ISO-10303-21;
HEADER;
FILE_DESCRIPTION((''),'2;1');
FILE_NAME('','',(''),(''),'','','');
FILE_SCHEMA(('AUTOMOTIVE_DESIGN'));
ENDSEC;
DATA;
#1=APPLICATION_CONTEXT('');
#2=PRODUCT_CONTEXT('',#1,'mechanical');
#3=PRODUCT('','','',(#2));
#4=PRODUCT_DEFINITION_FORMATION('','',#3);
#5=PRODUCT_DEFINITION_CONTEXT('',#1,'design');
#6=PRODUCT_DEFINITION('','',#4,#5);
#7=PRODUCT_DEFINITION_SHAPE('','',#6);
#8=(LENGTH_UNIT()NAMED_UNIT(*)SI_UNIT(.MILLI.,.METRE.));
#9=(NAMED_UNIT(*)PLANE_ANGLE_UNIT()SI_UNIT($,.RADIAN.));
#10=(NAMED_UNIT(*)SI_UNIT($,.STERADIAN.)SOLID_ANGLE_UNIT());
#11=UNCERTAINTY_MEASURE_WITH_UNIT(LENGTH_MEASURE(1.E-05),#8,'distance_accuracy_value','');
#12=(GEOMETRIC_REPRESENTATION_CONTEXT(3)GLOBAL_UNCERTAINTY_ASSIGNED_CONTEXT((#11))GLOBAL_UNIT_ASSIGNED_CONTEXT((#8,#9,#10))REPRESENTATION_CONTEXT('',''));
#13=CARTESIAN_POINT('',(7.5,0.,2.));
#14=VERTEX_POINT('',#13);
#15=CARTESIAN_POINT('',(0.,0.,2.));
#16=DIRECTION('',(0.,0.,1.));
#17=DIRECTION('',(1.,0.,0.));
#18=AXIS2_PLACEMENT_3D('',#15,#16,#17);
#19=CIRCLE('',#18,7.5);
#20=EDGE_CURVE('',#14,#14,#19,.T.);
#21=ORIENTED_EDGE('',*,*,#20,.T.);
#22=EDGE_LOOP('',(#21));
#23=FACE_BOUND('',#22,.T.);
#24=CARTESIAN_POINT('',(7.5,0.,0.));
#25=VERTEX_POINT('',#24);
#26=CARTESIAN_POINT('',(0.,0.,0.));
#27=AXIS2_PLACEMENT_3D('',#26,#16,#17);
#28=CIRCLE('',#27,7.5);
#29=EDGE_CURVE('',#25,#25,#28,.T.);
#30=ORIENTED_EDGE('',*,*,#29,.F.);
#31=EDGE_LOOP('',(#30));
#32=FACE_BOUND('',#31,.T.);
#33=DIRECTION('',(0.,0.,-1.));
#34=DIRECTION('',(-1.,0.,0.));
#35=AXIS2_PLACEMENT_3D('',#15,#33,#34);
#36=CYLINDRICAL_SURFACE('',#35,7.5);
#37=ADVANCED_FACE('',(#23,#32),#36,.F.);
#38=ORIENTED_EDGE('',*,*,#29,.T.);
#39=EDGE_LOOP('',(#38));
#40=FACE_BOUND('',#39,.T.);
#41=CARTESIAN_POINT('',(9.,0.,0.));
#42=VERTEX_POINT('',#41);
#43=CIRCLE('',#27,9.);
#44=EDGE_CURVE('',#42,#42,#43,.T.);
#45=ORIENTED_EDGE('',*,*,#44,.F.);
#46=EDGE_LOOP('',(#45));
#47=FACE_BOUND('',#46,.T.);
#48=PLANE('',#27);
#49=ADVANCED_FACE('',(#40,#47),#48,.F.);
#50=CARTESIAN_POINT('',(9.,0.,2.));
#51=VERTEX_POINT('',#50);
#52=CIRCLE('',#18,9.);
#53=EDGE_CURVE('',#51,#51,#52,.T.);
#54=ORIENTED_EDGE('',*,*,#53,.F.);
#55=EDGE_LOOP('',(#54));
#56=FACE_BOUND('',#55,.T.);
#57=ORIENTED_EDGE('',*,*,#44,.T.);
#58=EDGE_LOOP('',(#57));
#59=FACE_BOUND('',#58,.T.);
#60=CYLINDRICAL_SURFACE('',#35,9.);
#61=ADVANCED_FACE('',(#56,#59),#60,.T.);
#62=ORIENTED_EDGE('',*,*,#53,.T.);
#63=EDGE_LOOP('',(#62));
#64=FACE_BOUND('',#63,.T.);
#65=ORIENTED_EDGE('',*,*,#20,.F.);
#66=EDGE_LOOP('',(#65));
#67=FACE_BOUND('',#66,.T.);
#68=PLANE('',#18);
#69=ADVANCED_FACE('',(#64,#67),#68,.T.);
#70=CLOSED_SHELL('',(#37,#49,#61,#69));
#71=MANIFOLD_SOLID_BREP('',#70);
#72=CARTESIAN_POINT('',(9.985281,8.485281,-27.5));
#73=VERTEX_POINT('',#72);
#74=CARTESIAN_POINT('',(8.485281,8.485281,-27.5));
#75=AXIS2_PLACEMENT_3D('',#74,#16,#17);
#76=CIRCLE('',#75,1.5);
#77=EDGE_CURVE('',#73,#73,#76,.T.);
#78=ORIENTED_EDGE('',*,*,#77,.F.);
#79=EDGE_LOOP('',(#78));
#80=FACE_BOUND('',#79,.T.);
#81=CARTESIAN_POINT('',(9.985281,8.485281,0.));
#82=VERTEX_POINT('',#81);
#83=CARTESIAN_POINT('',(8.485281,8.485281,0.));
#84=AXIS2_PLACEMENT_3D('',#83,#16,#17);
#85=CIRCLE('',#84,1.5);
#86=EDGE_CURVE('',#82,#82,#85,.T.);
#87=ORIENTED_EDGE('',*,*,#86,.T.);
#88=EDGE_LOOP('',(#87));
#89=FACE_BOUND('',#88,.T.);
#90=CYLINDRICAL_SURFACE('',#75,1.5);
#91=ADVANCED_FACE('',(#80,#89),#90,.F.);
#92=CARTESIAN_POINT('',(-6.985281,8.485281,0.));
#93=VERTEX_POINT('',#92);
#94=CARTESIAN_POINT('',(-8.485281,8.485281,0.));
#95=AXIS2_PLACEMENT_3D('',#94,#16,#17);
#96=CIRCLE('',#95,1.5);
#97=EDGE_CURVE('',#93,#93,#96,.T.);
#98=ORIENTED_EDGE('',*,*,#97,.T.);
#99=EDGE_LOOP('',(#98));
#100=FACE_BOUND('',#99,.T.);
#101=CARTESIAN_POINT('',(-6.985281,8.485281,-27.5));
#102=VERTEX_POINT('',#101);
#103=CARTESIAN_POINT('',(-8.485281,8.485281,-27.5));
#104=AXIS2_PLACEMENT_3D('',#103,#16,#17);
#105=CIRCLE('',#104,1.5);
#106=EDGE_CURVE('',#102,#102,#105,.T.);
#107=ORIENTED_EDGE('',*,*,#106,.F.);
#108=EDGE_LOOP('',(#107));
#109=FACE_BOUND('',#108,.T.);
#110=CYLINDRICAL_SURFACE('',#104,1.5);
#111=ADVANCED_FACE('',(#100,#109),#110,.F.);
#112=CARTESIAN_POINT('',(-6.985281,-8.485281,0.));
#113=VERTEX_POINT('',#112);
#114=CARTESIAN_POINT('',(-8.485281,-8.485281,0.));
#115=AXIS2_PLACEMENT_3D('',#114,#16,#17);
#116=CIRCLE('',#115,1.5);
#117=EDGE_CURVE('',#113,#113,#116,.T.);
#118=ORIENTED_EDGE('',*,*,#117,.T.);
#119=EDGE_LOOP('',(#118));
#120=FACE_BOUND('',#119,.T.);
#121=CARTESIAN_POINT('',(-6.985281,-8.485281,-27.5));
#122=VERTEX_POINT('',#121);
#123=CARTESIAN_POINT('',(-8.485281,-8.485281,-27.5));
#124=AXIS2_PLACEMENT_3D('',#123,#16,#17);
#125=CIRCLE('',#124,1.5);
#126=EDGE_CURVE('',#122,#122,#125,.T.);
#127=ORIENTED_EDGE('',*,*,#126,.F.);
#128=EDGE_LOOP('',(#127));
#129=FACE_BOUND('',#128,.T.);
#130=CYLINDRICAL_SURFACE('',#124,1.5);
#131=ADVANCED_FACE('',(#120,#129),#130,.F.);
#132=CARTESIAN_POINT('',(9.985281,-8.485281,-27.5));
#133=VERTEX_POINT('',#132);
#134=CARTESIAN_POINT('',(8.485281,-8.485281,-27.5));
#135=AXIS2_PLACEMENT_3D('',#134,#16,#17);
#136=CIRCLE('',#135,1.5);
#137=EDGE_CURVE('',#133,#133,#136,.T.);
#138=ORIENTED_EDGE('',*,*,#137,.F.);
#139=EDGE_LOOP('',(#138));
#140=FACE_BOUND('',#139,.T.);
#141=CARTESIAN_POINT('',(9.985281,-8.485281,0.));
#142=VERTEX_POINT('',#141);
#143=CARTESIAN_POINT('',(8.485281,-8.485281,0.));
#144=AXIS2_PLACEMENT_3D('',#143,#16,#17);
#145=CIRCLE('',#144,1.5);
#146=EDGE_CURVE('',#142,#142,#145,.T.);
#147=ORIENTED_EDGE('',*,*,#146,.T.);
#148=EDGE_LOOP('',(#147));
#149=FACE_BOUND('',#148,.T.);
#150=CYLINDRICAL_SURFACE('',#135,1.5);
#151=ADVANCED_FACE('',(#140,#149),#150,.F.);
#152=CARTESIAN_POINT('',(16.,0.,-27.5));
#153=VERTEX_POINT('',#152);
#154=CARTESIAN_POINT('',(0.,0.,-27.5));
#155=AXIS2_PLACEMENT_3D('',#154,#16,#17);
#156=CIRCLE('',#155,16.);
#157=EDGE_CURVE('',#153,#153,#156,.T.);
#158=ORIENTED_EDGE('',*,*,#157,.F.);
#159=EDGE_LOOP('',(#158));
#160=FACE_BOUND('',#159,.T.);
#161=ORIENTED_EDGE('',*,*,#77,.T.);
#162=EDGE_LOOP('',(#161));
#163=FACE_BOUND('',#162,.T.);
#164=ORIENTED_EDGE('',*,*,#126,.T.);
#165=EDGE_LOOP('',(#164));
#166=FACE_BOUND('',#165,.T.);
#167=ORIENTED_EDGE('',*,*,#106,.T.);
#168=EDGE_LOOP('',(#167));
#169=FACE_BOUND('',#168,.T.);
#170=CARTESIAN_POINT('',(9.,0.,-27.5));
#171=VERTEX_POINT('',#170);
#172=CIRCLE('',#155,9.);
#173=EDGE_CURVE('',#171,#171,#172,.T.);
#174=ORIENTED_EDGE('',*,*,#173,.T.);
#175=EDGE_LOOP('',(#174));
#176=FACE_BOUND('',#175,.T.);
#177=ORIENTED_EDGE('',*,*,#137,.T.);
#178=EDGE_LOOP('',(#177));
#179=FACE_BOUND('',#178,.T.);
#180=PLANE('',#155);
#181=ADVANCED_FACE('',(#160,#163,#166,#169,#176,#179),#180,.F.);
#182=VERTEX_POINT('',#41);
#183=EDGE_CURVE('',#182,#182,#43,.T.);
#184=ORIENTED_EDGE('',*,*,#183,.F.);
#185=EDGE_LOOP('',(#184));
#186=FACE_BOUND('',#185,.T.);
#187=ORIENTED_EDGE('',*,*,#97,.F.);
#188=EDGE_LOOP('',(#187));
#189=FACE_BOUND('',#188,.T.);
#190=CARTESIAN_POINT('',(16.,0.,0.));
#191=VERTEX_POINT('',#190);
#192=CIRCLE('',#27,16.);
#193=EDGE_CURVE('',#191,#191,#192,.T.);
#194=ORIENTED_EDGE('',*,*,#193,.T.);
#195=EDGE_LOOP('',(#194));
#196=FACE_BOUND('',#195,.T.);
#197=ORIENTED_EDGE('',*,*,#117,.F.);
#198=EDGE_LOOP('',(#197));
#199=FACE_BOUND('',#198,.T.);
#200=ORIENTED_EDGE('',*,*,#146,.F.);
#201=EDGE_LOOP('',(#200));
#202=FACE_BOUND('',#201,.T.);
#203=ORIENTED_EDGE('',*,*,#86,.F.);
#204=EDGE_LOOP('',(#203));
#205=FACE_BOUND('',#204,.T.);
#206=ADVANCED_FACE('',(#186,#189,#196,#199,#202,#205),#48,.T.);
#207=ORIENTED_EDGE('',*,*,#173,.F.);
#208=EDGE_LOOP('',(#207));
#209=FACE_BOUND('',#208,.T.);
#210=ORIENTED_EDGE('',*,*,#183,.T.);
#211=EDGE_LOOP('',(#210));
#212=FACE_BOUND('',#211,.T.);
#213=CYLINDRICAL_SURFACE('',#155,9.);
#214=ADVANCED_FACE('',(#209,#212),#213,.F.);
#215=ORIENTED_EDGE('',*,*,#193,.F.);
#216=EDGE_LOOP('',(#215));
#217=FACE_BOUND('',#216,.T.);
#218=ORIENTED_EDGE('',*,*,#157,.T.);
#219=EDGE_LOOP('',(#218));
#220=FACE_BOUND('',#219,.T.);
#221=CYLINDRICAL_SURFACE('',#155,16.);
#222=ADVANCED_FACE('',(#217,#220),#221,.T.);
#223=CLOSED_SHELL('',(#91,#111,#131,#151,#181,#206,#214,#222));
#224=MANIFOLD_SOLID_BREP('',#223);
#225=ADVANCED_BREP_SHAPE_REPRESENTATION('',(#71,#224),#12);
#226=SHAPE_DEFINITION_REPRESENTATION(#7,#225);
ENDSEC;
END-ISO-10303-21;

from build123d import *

# Parameters (mm, degrees)
SKETCH1_R           = 16
SKETCH1_R_2         = 1.5
SKETCH1_R_3         = 9
BOSS_EXTRUDE1_DEPTH = 27.5
SKETCH1_3_R         = 9
SKETCH1_3_R_2       = 7.5
BOSS_EXTRUDE2_DEPTH = 2


with BuildPart() as part:
    # Sketch1 → Boss-Extrude1 (new body)
    with BuildSketch(Plane.XY):
        Circle(SKETCH1_R)
        with Locations((-8.485281374, -8.485281374)):
            Circle(SKETCH1_R_2, mode=Mode.SUBTRACT)
        with Locations((8.485281374, -8.485281374)):
            Circle(SKETCH1_R_2, mode=Mode.SUBTRACT)
        with Locations((8.485281374, 8.485281374)):
            Circle(SKETCH1_R_2, mode=Mode.SUBTRACT)
        with Locations((-8.485281374, 8.485281374)):
            Circle(SKETCH1_R_2, mode=Mode.SUBTRACT)
        Circle(SKETCH1_R_3, mode=Mode.SUBTRACT)
    extrude(amount=-BOSS_EXTRUDE1_DEPTH)


with BuildPart() as body_2:
    # Sketch1<3> → Boss-Extrude2 (new body)
    with BuildSketch(Plane.XY):
        Circle(SKETCH1_3_R)
        Circle(SKETCH1_3_R_2, mode=Mode.SUBTRACT)
    extrude(amount=BOSS_EXTRUDE2_DEPTH)


solid = Compound([part.part, body_2.part])
